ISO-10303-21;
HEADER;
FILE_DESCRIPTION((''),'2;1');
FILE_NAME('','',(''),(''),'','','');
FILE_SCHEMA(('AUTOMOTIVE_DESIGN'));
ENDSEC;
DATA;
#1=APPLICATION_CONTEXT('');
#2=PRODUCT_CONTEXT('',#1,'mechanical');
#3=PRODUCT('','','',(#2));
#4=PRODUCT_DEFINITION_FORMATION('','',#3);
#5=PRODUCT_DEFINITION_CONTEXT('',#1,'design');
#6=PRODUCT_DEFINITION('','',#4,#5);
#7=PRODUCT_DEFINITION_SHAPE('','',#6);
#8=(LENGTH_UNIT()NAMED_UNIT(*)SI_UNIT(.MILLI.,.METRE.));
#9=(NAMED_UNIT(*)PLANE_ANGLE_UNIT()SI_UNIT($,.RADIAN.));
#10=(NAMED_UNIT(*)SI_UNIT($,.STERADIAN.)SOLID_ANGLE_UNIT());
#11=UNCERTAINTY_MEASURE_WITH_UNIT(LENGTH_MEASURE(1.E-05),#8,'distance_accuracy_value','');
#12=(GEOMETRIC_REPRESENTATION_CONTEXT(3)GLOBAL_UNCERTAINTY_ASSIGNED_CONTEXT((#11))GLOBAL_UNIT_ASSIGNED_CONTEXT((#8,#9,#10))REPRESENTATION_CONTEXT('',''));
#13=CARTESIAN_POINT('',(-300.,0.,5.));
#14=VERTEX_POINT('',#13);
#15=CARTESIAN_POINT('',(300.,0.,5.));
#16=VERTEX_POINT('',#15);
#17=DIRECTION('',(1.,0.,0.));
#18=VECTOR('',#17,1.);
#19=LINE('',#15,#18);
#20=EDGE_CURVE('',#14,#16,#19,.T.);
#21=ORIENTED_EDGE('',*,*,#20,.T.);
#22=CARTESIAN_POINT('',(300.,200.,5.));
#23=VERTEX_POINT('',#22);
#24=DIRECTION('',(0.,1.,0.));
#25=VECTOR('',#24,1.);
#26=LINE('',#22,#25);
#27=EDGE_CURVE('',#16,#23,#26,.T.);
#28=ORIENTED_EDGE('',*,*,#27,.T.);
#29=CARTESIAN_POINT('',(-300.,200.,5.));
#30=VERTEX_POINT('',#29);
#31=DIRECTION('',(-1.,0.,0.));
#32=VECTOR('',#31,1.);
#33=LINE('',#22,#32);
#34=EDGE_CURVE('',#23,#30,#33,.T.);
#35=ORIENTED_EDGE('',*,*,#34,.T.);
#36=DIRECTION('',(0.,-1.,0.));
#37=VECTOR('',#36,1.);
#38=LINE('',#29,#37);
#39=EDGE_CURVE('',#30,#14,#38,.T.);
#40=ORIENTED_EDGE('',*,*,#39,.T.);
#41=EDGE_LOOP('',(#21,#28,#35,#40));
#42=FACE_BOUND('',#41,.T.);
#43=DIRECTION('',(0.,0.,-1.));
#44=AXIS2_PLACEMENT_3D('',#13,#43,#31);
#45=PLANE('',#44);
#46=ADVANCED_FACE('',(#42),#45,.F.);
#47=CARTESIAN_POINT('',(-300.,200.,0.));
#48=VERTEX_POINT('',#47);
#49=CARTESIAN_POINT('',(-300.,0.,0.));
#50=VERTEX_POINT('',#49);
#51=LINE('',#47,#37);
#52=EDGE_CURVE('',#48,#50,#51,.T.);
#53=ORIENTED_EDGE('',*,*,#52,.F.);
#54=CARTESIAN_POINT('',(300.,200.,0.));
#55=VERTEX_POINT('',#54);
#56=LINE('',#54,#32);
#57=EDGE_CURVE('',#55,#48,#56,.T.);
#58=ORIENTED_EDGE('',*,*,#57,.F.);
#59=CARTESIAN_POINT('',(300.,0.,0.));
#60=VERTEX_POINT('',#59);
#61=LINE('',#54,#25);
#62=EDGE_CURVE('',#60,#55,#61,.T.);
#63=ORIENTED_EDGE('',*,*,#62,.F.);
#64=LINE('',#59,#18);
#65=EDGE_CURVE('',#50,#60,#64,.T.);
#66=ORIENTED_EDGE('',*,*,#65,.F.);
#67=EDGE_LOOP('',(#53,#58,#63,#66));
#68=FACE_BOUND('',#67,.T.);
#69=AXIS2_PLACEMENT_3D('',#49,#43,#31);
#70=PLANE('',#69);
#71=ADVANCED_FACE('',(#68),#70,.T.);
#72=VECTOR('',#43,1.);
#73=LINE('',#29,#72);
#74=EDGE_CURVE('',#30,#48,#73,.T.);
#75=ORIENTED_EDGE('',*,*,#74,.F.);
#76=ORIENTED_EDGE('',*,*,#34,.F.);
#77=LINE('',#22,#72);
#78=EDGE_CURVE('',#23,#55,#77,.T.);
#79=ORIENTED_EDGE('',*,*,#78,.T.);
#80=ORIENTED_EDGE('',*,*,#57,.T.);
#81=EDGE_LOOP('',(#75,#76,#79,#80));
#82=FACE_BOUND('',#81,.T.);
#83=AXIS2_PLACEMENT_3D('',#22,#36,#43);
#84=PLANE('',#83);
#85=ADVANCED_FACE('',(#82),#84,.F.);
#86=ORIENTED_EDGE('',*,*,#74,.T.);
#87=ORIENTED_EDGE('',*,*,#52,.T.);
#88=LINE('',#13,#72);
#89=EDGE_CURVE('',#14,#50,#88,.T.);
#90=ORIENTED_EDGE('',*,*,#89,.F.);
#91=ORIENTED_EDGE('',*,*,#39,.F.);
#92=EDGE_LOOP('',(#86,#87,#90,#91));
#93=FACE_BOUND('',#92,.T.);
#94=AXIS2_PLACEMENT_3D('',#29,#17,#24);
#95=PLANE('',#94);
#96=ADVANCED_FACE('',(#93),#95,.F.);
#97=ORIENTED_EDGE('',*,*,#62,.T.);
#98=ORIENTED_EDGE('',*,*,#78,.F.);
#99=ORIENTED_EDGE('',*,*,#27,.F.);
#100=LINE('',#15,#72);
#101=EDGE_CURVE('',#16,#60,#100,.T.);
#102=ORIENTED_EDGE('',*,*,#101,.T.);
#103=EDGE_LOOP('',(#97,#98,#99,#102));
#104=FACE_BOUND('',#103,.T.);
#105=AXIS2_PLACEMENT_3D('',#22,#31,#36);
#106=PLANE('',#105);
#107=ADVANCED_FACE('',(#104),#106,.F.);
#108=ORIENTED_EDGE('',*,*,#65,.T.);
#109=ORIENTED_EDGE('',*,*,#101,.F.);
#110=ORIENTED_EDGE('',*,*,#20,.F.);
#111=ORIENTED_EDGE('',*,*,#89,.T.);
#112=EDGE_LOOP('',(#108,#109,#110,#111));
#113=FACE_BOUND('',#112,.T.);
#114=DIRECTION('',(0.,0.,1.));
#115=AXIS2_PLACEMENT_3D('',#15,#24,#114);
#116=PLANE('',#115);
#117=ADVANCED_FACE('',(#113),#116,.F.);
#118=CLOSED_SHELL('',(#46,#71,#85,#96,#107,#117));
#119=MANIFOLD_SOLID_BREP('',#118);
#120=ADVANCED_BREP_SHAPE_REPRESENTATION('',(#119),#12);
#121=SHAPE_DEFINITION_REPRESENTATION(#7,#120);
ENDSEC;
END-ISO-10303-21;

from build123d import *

# Parameters (mm, degrees)
SKETCH1_W      = 600
SKETCH1_H      = 200
EXTRUDE1_DEPTH = 5


with BuildPart() as part:
    # Sketch1 → Extrude1 (new body)
    with BuildSketch(Plane.XY):
        with Locations((0, 100)):
            Rectangle(SKETCH1_W, SKETCH1_H)
    extrude(amount=EXTRUDE1_DEPTH)


solid = part.part
